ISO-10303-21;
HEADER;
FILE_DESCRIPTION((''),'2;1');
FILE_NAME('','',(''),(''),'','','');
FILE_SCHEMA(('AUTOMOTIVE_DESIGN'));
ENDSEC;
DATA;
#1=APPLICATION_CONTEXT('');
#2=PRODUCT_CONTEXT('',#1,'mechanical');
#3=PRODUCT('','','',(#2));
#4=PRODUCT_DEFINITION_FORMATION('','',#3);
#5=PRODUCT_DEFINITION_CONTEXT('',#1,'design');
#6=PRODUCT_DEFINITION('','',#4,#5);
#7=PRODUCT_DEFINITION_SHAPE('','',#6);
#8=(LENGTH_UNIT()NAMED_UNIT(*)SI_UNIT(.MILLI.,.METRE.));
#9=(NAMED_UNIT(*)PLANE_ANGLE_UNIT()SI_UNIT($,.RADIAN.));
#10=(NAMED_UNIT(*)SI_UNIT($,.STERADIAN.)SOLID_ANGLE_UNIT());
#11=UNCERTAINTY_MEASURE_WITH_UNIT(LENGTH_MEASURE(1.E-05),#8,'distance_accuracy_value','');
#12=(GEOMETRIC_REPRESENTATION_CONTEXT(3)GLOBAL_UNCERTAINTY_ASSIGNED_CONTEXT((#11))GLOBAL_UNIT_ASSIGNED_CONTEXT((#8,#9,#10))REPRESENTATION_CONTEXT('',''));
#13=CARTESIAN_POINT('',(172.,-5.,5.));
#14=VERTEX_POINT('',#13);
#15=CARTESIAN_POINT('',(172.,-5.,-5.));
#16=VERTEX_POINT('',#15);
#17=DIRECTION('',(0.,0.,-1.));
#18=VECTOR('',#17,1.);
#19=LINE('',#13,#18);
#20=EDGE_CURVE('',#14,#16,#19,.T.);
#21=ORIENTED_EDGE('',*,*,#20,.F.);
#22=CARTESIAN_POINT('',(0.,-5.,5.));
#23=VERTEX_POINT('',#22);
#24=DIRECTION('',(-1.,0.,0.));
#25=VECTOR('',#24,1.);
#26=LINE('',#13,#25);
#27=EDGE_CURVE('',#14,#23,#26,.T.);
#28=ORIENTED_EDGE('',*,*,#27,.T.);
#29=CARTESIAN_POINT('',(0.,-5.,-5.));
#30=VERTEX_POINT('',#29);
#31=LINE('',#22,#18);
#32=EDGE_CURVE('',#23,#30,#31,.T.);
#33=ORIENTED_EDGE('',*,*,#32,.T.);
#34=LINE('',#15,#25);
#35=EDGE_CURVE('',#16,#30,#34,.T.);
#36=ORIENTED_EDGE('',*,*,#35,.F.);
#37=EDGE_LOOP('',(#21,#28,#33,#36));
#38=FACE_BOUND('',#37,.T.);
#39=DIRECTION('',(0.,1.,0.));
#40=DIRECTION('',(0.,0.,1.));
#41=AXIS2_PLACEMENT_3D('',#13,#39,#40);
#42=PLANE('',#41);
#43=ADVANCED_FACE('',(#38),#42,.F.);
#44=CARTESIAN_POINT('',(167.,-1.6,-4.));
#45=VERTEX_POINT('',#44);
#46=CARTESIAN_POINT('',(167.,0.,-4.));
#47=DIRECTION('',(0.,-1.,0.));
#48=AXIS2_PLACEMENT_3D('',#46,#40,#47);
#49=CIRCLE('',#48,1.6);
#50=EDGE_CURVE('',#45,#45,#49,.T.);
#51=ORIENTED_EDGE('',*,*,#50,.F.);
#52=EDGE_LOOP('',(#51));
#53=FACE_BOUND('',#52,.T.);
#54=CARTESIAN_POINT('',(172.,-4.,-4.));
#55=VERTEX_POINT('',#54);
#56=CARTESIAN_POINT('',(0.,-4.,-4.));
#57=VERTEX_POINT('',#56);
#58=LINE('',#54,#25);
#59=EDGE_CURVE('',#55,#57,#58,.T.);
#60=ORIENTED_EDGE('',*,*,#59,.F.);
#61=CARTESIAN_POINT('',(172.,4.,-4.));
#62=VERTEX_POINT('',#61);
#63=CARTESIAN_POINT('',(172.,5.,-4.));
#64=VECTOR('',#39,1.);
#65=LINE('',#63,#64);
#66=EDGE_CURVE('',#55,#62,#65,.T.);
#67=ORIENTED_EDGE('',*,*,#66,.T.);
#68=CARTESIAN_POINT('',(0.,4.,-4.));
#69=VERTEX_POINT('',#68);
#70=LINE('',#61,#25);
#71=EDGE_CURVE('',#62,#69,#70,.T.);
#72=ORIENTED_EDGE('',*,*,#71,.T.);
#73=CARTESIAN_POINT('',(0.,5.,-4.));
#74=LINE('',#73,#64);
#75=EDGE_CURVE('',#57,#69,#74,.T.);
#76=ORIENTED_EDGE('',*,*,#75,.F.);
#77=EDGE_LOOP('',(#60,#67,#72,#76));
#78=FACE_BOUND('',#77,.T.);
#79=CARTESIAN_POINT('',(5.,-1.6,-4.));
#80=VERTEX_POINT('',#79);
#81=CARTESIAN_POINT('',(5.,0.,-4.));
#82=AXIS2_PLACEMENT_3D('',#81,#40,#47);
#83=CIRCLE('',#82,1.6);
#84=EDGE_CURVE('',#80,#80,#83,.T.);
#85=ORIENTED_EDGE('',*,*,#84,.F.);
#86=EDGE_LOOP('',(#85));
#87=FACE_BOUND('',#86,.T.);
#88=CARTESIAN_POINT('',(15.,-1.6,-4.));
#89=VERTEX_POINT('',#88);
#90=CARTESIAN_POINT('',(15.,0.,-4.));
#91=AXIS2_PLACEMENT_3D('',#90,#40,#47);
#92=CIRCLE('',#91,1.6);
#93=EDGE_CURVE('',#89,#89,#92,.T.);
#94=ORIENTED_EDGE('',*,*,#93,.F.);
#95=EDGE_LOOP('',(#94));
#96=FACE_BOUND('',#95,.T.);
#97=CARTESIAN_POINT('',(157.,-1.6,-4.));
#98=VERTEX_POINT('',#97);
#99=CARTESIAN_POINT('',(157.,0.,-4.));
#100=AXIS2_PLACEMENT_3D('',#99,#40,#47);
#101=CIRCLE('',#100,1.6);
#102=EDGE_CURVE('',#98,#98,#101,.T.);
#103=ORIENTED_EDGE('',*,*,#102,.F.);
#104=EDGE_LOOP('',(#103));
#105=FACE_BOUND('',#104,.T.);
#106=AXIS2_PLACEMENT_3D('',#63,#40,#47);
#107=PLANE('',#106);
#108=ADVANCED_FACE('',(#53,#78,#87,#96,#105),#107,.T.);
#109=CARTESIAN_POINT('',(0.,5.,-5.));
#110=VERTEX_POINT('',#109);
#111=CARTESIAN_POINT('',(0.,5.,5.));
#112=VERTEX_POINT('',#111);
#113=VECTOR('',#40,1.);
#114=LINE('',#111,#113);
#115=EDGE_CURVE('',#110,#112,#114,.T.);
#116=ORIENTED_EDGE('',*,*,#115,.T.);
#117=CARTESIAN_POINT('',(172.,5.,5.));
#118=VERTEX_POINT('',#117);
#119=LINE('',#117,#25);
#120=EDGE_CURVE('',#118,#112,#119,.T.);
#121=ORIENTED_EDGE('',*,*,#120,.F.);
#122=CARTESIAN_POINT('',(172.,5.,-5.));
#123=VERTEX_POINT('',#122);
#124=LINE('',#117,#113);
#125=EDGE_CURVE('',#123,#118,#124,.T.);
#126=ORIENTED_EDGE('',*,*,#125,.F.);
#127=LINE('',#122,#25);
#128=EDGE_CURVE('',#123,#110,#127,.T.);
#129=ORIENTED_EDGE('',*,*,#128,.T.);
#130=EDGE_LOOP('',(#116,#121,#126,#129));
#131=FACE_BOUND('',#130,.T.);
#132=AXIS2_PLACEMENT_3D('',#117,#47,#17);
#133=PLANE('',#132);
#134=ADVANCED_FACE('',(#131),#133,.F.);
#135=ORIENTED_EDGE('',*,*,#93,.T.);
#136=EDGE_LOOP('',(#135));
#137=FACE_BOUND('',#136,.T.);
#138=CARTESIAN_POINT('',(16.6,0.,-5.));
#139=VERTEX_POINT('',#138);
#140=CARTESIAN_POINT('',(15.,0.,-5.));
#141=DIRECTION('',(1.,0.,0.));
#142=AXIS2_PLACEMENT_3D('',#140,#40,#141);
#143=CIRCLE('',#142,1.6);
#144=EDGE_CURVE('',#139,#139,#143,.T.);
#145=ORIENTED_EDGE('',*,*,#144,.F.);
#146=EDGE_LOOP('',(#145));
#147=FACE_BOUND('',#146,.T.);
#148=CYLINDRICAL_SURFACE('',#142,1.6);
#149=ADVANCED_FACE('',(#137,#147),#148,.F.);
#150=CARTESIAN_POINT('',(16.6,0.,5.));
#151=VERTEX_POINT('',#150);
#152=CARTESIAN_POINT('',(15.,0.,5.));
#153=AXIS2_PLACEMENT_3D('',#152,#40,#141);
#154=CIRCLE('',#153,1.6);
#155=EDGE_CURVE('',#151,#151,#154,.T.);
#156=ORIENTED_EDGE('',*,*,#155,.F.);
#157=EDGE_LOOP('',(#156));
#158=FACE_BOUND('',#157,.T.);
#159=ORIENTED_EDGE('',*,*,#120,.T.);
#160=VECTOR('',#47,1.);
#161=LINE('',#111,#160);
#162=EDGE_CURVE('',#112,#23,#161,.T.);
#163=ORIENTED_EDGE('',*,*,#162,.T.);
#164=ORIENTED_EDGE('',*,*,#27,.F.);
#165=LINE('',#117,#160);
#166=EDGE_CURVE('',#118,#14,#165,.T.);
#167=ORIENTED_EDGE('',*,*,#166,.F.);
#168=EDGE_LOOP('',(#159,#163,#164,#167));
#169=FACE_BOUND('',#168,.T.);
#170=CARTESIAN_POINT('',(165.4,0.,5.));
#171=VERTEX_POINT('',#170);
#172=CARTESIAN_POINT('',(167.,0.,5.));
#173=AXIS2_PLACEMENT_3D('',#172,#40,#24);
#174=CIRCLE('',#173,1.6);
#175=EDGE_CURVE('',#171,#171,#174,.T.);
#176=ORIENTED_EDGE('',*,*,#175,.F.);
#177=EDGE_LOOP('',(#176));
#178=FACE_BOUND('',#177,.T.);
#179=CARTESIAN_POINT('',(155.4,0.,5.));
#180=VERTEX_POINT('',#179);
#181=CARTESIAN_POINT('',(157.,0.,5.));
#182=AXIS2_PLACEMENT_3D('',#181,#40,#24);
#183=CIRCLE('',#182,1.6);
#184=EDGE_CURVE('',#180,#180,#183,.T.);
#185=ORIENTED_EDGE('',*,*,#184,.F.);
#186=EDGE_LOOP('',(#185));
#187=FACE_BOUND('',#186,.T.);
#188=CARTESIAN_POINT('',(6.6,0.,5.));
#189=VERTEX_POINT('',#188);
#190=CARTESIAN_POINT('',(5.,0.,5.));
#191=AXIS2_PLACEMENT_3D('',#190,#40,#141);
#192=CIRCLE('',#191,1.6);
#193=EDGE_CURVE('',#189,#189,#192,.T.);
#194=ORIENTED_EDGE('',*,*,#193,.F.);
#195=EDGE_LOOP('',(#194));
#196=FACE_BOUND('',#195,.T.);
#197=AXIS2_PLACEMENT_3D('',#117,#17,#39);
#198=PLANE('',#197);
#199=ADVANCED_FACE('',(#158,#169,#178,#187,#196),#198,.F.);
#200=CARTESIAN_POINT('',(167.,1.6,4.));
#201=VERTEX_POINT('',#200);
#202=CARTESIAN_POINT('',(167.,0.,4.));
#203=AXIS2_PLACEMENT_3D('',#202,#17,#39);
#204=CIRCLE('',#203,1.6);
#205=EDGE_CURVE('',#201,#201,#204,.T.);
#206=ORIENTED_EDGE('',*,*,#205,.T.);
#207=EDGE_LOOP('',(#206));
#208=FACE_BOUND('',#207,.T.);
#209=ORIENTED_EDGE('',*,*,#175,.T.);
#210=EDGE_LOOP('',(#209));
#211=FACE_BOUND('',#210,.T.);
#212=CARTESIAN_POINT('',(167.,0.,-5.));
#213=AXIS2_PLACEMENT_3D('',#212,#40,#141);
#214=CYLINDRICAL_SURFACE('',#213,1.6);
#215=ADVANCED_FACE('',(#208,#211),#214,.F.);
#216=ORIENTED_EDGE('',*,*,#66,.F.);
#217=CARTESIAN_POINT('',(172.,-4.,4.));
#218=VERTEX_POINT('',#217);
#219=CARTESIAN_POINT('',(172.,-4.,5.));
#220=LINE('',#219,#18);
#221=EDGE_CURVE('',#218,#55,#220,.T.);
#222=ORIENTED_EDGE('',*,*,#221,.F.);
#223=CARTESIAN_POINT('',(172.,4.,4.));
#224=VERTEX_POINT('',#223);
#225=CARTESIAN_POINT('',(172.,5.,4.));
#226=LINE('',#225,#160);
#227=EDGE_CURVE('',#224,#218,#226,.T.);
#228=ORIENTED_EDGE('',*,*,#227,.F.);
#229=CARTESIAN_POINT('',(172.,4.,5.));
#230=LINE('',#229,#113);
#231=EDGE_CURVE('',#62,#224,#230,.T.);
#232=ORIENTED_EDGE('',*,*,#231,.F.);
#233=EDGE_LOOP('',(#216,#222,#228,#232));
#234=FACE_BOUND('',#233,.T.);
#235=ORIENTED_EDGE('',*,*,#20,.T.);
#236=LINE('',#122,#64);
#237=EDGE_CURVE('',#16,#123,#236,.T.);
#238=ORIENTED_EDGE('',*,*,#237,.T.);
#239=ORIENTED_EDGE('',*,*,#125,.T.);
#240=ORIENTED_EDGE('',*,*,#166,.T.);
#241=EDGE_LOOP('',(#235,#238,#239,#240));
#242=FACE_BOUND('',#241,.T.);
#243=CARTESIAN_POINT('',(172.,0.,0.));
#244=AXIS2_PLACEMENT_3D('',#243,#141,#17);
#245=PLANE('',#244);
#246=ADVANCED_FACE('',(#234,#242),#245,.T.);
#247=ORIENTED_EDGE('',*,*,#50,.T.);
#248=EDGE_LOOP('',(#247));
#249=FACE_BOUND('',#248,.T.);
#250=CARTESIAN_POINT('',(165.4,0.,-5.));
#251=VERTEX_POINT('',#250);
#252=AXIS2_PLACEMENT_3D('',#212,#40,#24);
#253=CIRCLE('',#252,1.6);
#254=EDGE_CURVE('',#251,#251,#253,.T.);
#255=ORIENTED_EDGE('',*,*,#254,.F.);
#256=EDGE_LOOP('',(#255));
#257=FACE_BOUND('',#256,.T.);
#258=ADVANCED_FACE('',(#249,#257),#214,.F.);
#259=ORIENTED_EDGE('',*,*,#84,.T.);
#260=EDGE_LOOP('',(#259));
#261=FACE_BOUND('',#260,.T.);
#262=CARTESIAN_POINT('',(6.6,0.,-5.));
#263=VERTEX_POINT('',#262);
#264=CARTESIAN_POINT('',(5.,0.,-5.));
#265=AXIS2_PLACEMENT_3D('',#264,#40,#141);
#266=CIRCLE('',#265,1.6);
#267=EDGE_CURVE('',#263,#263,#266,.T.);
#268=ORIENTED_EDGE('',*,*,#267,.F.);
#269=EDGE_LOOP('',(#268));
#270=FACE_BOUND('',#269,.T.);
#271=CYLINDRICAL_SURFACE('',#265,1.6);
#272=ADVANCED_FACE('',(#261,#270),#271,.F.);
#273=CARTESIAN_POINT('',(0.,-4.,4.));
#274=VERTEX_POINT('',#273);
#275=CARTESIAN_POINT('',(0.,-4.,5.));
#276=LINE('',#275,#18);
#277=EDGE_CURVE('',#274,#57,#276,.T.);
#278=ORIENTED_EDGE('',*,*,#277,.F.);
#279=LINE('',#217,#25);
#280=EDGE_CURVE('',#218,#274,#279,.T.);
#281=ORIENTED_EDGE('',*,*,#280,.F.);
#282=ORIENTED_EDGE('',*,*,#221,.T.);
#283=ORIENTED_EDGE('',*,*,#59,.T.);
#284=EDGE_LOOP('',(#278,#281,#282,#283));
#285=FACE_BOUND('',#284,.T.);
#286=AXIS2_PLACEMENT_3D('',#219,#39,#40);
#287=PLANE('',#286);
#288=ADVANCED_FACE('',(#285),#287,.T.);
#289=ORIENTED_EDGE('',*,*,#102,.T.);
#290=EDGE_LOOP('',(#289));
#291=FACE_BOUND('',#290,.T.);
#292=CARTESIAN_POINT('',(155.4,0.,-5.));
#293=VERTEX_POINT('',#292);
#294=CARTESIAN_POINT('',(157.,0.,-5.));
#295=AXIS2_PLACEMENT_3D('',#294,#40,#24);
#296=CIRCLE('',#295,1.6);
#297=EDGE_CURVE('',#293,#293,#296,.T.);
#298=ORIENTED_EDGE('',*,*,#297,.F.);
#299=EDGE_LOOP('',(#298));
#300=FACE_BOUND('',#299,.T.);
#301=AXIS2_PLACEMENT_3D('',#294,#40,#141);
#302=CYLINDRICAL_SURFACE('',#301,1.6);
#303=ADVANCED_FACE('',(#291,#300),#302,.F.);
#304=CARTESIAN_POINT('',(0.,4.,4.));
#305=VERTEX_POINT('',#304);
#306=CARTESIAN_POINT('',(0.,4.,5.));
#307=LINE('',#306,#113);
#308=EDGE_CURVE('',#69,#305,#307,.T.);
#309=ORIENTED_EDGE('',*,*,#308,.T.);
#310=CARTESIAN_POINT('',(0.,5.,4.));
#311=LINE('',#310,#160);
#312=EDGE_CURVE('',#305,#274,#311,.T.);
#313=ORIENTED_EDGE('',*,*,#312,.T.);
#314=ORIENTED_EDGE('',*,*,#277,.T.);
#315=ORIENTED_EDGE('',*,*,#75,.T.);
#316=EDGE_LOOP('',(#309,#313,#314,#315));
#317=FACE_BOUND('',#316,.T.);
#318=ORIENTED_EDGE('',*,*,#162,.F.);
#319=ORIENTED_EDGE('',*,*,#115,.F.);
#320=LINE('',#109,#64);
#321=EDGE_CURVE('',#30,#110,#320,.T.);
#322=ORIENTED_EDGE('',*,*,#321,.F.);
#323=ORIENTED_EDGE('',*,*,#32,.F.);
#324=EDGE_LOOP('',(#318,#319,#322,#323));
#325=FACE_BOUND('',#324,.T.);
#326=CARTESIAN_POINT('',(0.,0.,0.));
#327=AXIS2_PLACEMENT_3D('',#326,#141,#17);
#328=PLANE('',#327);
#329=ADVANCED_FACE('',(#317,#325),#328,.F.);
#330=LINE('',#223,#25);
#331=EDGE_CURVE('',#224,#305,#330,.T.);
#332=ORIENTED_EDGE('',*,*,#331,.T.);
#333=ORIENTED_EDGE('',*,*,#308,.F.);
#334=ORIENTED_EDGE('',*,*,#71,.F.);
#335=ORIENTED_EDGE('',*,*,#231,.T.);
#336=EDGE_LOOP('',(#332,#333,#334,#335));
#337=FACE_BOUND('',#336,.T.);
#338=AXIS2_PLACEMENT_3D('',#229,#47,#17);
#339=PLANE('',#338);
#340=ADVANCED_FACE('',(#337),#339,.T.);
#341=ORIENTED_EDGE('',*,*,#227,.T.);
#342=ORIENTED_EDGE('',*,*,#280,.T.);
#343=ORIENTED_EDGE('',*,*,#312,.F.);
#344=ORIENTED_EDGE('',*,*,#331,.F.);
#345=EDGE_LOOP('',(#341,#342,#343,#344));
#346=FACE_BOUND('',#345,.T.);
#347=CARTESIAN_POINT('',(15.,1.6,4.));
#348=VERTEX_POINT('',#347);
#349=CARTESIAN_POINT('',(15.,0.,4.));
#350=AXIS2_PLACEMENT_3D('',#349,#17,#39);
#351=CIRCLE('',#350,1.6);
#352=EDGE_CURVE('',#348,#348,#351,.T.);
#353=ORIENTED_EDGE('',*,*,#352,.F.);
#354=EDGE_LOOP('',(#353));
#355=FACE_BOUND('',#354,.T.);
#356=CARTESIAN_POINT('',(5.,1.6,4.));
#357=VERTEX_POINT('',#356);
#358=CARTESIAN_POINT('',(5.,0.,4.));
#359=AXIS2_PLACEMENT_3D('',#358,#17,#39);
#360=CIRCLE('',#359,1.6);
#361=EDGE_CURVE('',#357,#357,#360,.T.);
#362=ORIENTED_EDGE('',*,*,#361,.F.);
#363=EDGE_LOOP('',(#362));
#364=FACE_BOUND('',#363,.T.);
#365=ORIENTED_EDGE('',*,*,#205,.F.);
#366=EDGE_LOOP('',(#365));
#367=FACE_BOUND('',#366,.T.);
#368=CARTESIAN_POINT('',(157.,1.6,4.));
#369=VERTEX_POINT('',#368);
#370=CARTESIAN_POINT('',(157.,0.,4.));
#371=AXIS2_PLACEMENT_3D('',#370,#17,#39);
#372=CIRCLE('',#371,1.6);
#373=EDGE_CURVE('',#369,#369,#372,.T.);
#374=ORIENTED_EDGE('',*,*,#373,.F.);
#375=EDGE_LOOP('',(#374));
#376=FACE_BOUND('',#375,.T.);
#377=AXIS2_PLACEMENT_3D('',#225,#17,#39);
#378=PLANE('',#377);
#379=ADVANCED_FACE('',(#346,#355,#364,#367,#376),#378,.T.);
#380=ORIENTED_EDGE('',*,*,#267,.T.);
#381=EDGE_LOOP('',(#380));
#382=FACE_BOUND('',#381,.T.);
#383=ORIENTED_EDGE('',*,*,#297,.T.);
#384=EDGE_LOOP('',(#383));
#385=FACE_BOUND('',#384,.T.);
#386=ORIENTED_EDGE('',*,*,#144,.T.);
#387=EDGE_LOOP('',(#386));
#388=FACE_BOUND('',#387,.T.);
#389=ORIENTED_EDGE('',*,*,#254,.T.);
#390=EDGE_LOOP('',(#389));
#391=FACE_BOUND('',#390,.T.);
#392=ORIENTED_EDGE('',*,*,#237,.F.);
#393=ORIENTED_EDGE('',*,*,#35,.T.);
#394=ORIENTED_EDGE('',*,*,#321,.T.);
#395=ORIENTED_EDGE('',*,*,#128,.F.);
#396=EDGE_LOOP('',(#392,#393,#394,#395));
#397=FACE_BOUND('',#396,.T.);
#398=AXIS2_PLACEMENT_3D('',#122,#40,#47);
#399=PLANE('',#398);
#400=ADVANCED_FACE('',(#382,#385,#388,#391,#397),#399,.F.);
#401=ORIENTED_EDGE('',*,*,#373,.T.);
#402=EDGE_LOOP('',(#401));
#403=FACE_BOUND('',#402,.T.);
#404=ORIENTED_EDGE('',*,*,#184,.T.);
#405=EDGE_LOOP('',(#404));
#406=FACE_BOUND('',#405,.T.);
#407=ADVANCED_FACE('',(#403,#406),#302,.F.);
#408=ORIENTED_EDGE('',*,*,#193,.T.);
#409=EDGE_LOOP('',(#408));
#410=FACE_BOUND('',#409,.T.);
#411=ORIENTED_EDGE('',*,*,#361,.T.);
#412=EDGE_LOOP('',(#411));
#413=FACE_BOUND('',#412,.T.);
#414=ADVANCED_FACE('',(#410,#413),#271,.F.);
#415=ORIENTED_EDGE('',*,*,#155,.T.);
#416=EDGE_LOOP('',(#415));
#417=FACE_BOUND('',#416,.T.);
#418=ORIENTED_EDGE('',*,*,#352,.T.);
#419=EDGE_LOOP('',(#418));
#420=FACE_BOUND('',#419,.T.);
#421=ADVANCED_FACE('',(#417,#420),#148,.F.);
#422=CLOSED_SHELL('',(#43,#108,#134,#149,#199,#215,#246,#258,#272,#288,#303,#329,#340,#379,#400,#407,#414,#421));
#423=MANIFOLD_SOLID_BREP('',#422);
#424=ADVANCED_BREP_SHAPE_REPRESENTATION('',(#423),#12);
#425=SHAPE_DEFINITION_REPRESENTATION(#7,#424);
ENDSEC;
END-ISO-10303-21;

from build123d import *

# Parameters (mm, degrees)
SKETCH_1_W          = 10
SKETCH_1_H          = 10
SKETCH_1_W_2        = 8
SKETCH_1_H_2        = 8
EXTRUDE_1_DEPTH     = 172
SKETCH_2_R          = 1.6
CUT_EXTRUDE_1_DEPTH = 173.362989067


with BuildPart() as part:
    # ｽｹｯﾁ1 → 押し出し-薄板1 (new body)
    with BuildSketch(Plane(origin=(0, 0, 0), x_dir=(0, 0, -1), z_dir=(1, 0, 0))):
        Rectangle(SKETCH_1_W, SKETCH_1_H)
        Rectangle(SKETCH_1_W_2, SKETCH_1_H_2, mode=Mode.SUBTRACT)
    extrude(amount=EXTRUDE_1_DEPTH)

    # ｽｹｯﾁ2 → ｶｯﾄ - 押し出し1 (cut, through all)
    with BuildSketch(Plane.XY.offset(5)):
        with Locations((15, 0)):
            Circle(SKETCH_2_R)
        with Locations((5, 0)):
            Circle(SKETCH_2_R)
        with Locations(Location((167, 0, 0), (0, 0, 90))):
            Circle(SKETCH_2_R)
        with Locations(Location((157, 0, 0), (0, 0, 90))):
            Circle(SKETCH_2_R)
    extrude(amount=-CUT_EXTRUDE_1_DEPTH, mode=Mode.SUBTRACT)


solid = part.part
